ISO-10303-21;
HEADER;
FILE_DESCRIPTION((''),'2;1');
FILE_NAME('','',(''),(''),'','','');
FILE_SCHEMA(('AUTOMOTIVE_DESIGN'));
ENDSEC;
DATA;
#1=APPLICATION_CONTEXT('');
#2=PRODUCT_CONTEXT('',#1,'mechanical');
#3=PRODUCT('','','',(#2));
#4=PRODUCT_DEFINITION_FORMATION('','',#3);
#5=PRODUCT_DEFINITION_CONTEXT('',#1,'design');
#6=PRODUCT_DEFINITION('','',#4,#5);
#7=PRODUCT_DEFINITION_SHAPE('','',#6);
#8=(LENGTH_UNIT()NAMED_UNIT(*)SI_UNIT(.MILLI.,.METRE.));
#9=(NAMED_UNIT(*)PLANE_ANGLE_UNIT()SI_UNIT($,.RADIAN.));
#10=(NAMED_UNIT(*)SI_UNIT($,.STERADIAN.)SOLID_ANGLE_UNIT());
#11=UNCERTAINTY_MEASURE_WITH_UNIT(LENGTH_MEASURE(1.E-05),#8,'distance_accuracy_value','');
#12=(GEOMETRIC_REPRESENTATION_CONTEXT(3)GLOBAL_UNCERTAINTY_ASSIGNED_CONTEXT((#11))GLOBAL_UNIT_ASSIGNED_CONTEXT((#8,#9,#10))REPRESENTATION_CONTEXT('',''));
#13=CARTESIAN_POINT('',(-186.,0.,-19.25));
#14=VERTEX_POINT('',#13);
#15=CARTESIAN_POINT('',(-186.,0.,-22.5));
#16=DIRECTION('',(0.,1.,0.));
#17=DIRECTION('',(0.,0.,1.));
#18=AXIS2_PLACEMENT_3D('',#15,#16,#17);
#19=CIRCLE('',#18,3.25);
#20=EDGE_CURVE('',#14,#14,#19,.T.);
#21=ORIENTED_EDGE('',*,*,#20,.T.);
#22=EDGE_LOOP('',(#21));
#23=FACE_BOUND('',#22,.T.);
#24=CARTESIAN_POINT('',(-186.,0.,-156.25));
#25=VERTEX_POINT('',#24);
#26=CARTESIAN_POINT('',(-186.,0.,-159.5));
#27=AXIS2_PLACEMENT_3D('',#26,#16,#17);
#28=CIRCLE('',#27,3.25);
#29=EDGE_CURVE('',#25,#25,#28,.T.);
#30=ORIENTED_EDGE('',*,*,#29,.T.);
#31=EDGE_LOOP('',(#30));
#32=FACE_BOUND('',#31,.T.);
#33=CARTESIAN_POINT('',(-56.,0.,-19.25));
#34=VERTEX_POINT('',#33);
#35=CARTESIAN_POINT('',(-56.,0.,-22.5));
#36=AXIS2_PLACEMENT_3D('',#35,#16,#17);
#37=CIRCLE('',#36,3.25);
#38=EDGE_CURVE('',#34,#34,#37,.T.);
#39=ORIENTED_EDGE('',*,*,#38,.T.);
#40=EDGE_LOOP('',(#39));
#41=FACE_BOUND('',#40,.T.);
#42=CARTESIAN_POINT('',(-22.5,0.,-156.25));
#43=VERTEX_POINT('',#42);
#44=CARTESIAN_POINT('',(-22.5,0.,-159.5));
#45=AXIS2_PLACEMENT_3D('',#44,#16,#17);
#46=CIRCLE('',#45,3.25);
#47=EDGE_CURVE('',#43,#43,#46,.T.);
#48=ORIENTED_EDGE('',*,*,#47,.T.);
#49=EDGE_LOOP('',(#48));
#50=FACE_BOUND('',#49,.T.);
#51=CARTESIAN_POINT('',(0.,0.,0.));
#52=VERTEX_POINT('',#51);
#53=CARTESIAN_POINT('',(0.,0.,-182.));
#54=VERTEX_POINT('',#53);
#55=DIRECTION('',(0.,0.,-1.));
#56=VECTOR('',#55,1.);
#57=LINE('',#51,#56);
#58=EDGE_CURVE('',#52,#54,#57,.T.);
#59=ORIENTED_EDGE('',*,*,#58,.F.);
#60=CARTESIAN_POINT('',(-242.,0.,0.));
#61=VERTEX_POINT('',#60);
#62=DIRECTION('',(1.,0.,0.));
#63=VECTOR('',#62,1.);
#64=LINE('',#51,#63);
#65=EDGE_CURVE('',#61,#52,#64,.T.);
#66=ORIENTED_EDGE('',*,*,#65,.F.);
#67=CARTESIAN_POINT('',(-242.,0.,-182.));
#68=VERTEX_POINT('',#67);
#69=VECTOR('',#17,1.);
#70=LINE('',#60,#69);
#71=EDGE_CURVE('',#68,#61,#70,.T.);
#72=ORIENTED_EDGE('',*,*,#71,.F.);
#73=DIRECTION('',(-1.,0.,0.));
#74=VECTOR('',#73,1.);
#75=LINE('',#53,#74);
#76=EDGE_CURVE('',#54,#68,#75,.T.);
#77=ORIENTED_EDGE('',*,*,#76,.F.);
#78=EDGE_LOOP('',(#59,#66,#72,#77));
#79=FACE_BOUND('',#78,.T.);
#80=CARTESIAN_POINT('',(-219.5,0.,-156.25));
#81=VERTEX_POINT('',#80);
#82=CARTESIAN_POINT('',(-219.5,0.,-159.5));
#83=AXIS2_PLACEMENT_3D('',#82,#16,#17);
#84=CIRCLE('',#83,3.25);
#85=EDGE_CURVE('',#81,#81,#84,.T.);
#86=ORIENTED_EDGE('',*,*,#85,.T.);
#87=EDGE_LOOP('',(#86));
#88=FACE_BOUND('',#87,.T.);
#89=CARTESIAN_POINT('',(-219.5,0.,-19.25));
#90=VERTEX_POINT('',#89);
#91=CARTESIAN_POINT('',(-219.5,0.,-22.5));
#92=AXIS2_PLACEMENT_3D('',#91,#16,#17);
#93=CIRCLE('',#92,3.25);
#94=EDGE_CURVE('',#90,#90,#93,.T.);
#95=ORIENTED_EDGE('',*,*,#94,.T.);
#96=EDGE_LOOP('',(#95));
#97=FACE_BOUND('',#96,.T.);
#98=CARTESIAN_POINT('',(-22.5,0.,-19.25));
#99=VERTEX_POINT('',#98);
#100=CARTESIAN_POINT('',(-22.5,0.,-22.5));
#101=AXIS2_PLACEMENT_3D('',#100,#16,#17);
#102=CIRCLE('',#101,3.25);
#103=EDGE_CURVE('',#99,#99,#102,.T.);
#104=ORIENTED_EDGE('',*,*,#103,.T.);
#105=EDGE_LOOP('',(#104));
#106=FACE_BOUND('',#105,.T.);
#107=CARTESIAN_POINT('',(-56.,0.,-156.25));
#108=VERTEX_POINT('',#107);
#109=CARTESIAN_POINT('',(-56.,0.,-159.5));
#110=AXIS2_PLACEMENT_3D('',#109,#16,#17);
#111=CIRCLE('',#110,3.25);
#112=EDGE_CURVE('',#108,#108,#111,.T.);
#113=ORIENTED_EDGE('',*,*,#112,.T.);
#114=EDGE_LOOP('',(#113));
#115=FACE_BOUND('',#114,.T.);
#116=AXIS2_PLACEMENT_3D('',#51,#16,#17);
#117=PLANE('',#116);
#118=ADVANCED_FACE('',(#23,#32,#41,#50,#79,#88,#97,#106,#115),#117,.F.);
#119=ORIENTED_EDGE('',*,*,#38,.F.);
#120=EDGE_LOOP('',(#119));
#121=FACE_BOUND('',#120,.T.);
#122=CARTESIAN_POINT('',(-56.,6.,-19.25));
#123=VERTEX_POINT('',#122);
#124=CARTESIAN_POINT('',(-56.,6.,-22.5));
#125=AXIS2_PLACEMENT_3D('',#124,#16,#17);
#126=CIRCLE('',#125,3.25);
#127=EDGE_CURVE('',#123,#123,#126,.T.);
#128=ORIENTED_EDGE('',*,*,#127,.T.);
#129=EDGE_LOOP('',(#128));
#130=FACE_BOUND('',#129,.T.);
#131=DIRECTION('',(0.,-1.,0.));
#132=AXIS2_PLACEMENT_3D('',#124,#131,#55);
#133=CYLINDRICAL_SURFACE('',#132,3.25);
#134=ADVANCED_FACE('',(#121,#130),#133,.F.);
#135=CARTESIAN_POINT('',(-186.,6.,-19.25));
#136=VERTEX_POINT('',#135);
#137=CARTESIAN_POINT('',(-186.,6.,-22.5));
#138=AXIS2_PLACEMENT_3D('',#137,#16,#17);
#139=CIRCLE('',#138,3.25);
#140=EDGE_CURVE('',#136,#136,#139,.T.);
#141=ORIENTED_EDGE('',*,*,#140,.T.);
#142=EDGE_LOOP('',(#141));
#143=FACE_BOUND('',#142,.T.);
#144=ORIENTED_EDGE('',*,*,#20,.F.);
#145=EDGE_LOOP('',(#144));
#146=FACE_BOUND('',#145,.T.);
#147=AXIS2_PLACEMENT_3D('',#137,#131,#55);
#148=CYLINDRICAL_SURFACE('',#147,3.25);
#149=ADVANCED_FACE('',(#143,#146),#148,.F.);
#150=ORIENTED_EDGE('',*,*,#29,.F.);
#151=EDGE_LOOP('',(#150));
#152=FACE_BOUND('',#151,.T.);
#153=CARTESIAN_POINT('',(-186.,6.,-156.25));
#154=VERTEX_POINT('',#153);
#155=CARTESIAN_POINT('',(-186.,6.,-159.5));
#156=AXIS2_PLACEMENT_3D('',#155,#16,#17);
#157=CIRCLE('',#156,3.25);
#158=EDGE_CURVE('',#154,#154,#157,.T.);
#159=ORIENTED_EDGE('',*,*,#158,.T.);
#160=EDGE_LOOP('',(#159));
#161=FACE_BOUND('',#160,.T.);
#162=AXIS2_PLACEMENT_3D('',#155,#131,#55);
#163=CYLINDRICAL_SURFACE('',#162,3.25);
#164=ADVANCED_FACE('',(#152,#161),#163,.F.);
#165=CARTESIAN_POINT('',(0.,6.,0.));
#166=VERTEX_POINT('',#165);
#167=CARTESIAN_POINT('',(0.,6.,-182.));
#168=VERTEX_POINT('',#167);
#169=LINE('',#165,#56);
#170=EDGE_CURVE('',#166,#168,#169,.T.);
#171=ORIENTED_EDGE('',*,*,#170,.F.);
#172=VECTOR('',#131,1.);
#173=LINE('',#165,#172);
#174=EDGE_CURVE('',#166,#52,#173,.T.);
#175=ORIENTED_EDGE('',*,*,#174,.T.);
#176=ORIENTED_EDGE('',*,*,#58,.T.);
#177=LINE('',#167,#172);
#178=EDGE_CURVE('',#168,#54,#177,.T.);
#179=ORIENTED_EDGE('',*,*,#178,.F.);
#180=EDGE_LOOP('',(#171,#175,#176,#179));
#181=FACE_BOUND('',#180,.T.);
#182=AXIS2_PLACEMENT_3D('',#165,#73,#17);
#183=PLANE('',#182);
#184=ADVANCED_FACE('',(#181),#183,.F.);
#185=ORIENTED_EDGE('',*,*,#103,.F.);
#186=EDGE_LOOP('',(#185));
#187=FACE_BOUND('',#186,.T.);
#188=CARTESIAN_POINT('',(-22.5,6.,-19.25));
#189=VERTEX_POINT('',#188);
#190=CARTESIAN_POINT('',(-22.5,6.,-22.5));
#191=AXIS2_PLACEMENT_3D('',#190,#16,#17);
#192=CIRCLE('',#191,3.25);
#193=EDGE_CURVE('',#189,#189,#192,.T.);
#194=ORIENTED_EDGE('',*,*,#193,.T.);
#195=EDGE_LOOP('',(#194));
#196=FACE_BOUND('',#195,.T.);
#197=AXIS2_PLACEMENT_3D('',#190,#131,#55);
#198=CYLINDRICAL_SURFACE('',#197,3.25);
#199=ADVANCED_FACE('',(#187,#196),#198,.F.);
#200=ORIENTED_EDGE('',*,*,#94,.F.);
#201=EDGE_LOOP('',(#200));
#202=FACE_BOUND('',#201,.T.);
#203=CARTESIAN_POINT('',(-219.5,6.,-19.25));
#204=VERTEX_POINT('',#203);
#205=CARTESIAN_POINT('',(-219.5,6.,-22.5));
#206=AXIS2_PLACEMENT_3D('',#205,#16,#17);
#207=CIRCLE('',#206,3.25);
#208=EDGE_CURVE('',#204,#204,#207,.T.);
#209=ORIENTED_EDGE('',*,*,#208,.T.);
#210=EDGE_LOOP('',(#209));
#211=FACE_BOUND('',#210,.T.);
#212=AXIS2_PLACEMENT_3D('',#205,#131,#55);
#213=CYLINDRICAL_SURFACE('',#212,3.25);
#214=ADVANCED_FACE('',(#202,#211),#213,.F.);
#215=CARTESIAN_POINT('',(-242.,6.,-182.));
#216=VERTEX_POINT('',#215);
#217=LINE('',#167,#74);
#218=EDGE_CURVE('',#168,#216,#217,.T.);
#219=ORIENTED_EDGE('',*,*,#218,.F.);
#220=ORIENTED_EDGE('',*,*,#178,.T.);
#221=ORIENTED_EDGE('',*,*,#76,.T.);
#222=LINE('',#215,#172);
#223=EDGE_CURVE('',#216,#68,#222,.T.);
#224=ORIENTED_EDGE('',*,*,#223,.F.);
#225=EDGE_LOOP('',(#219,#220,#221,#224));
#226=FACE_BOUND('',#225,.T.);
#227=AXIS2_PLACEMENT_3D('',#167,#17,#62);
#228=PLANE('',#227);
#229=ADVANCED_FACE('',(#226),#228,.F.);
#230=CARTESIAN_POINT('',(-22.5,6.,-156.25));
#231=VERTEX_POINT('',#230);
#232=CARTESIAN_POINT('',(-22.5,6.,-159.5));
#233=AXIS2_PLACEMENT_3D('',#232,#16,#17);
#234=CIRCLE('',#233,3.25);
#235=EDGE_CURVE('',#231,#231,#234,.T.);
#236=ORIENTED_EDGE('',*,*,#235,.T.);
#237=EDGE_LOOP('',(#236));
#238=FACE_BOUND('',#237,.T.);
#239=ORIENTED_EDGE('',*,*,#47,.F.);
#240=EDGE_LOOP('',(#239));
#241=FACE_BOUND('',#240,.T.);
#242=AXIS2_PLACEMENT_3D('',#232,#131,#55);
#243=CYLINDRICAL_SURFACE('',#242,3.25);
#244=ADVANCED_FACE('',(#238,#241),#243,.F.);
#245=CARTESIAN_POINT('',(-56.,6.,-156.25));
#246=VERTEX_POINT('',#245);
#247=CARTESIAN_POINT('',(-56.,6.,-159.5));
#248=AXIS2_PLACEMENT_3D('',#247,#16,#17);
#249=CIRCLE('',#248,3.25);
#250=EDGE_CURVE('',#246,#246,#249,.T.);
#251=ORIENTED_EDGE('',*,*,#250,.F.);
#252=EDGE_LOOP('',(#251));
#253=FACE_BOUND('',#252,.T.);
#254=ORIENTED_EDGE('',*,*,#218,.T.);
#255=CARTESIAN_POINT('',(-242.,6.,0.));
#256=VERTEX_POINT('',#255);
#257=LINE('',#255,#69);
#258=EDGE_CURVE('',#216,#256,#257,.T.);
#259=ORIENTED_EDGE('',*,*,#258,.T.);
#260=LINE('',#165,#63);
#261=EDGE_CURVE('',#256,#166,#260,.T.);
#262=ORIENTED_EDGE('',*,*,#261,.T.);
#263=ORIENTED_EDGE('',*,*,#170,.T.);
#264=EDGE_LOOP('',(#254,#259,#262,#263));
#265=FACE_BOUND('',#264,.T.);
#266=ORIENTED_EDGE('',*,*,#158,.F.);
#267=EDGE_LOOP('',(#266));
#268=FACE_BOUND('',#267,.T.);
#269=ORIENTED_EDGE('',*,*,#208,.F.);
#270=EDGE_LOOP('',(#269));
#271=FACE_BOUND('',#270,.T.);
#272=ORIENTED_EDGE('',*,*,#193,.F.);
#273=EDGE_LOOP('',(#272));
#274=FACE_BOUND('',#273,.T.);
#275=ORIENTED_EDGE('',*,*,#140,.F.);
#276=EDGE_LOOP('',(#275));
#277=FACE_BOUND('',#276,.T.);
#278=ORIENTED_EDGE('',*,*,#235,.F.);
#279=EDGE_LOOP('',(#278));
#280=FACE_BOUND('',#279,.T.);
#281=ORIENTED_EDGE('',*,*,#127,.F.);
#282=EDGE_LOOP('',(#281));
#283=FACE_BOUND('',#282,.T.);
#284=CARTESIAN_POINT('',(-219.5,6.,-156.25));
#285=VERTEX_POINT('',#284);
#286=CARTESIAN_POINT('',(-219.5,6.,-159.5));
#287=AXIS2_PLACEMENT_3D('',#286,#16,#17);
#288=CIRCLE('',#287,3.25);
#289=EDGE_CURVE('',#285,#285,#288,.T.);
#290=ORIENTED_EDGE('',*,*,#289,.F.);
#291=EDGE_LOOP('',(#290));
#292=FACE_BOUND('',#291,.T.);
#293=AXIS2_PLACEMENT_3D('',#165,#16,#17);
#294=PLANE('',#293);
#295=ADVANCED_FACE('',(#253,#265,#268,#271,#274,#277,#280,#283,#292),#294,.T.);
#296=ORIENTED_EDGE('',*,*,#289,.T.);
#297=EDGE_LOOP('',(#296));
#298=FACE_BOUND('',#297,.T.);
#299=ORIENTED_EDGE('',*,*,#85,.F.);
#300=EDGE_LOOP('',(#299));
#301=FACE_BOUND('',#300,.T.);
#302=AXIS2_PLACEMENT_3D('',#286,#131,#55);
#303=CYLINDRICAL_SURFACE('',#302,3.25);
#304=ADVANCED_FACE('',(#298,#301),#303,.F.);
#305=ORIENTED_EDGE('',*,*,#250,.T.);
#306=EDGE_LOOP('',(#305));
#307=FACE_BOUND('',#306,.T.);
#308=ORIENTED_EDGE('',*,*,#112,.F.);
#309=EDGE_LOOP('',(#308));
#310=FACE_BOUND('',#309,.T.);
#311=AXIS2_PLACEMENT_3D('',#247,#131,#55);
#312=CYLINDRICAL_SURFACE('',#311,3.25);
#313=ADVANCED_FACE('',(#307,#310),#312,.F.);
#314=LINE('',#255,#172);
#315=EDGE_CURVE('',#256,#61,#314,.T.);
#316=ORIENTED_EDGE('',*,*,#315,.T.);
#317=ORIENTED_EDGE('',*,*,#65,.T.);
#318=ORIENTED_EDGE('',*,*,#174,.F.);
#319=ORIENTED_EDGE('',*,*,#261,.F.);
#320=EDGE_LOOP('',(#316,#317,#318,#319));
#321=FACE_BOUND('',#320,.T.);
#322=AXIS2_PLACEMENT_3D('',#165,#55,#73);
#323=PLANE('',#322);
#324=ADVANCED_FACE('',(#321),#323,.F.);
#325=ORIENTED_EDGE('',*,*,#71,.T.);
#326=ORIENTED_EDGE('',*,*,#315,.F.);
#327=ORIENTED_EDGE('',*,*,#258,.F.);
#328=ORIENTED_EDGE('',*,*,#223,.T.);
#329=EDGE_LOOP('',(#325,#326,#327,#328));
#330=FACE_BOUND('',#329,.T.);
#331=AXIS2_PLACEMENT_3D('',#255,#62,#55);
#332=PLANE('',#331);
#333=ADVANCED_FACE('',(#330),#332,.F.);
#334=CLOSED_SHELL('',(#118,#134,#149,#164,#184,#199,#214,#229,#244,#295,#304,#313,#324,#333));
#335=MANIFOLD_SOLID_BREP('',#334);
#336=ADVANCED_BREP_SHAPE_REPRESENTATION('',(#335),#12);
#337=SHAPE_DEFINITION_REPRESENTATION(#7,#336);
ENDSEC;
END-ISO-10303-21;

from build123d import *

# Parameters (mm, degrees)
SKETCH1_W           = 242
SKETCH1_H           = 182
SKETCH1_R           = 3.25
BOSS_EXTRUDE1_DEPTH = 6


with BuildPart() as part:
    # Sketch1 → Boss-Extrude1 (new body)
    with BuildSketch(Plane(origin=(0, 0, 0), x_dir=(1, 0, 0), z_dir=(0, 1, 0))):
        with Locations((-121, 91)):
            Rectangle(SKETCH1_W, SKETCH1_H)
        with Locations(Location((-219.5, 159.5, 0), (0, 0, 270))):
            Circle(SKETCH1_R, mode=Mode.SUBTRACT)
        with Locations(Location((-186, 159.5, 0), (0, 0, 270))):
            Circle(SKETCH1_R, mode=Mode.SUBTRACT)
        with Locations(Location((-219.5, 22.5, 0), (0, 0, 270))):
            Circle(SKETCH1_R, mode=Mode.SUBTRACT)
        with Locations(Location((-186, 22.5, 0), (0, 0, 270))):
            Circle(SKETCH1_R, mode=Mode.SUBTRACT)
        with Locations(Location((-56, 22.5, 0), (0, 0, 270))):
            Circle(SKETCH1_R, mode=Mode.SUBTRACT)
        with Locations(Location((-22.5, 22.5, 0), (0, 0, 270))):
            Circle(SKETCH1_R, mode=Mode.SUBTRACT)
        with Locations(Location((-56, 159.5, 0), (0, 0, 270))):
            Circle(SKETCH1_R, mode=Mode.SUBTRACT)
        with Locations(Location((-22.5, 159.5, 0), (0, 0, 270))):
            Circle(SKETCH1_R, mode=Mode.SUBTRACT)
    extrude(amount=BOSS_EXTRUDE1_DEPTH)


solid = part.part
